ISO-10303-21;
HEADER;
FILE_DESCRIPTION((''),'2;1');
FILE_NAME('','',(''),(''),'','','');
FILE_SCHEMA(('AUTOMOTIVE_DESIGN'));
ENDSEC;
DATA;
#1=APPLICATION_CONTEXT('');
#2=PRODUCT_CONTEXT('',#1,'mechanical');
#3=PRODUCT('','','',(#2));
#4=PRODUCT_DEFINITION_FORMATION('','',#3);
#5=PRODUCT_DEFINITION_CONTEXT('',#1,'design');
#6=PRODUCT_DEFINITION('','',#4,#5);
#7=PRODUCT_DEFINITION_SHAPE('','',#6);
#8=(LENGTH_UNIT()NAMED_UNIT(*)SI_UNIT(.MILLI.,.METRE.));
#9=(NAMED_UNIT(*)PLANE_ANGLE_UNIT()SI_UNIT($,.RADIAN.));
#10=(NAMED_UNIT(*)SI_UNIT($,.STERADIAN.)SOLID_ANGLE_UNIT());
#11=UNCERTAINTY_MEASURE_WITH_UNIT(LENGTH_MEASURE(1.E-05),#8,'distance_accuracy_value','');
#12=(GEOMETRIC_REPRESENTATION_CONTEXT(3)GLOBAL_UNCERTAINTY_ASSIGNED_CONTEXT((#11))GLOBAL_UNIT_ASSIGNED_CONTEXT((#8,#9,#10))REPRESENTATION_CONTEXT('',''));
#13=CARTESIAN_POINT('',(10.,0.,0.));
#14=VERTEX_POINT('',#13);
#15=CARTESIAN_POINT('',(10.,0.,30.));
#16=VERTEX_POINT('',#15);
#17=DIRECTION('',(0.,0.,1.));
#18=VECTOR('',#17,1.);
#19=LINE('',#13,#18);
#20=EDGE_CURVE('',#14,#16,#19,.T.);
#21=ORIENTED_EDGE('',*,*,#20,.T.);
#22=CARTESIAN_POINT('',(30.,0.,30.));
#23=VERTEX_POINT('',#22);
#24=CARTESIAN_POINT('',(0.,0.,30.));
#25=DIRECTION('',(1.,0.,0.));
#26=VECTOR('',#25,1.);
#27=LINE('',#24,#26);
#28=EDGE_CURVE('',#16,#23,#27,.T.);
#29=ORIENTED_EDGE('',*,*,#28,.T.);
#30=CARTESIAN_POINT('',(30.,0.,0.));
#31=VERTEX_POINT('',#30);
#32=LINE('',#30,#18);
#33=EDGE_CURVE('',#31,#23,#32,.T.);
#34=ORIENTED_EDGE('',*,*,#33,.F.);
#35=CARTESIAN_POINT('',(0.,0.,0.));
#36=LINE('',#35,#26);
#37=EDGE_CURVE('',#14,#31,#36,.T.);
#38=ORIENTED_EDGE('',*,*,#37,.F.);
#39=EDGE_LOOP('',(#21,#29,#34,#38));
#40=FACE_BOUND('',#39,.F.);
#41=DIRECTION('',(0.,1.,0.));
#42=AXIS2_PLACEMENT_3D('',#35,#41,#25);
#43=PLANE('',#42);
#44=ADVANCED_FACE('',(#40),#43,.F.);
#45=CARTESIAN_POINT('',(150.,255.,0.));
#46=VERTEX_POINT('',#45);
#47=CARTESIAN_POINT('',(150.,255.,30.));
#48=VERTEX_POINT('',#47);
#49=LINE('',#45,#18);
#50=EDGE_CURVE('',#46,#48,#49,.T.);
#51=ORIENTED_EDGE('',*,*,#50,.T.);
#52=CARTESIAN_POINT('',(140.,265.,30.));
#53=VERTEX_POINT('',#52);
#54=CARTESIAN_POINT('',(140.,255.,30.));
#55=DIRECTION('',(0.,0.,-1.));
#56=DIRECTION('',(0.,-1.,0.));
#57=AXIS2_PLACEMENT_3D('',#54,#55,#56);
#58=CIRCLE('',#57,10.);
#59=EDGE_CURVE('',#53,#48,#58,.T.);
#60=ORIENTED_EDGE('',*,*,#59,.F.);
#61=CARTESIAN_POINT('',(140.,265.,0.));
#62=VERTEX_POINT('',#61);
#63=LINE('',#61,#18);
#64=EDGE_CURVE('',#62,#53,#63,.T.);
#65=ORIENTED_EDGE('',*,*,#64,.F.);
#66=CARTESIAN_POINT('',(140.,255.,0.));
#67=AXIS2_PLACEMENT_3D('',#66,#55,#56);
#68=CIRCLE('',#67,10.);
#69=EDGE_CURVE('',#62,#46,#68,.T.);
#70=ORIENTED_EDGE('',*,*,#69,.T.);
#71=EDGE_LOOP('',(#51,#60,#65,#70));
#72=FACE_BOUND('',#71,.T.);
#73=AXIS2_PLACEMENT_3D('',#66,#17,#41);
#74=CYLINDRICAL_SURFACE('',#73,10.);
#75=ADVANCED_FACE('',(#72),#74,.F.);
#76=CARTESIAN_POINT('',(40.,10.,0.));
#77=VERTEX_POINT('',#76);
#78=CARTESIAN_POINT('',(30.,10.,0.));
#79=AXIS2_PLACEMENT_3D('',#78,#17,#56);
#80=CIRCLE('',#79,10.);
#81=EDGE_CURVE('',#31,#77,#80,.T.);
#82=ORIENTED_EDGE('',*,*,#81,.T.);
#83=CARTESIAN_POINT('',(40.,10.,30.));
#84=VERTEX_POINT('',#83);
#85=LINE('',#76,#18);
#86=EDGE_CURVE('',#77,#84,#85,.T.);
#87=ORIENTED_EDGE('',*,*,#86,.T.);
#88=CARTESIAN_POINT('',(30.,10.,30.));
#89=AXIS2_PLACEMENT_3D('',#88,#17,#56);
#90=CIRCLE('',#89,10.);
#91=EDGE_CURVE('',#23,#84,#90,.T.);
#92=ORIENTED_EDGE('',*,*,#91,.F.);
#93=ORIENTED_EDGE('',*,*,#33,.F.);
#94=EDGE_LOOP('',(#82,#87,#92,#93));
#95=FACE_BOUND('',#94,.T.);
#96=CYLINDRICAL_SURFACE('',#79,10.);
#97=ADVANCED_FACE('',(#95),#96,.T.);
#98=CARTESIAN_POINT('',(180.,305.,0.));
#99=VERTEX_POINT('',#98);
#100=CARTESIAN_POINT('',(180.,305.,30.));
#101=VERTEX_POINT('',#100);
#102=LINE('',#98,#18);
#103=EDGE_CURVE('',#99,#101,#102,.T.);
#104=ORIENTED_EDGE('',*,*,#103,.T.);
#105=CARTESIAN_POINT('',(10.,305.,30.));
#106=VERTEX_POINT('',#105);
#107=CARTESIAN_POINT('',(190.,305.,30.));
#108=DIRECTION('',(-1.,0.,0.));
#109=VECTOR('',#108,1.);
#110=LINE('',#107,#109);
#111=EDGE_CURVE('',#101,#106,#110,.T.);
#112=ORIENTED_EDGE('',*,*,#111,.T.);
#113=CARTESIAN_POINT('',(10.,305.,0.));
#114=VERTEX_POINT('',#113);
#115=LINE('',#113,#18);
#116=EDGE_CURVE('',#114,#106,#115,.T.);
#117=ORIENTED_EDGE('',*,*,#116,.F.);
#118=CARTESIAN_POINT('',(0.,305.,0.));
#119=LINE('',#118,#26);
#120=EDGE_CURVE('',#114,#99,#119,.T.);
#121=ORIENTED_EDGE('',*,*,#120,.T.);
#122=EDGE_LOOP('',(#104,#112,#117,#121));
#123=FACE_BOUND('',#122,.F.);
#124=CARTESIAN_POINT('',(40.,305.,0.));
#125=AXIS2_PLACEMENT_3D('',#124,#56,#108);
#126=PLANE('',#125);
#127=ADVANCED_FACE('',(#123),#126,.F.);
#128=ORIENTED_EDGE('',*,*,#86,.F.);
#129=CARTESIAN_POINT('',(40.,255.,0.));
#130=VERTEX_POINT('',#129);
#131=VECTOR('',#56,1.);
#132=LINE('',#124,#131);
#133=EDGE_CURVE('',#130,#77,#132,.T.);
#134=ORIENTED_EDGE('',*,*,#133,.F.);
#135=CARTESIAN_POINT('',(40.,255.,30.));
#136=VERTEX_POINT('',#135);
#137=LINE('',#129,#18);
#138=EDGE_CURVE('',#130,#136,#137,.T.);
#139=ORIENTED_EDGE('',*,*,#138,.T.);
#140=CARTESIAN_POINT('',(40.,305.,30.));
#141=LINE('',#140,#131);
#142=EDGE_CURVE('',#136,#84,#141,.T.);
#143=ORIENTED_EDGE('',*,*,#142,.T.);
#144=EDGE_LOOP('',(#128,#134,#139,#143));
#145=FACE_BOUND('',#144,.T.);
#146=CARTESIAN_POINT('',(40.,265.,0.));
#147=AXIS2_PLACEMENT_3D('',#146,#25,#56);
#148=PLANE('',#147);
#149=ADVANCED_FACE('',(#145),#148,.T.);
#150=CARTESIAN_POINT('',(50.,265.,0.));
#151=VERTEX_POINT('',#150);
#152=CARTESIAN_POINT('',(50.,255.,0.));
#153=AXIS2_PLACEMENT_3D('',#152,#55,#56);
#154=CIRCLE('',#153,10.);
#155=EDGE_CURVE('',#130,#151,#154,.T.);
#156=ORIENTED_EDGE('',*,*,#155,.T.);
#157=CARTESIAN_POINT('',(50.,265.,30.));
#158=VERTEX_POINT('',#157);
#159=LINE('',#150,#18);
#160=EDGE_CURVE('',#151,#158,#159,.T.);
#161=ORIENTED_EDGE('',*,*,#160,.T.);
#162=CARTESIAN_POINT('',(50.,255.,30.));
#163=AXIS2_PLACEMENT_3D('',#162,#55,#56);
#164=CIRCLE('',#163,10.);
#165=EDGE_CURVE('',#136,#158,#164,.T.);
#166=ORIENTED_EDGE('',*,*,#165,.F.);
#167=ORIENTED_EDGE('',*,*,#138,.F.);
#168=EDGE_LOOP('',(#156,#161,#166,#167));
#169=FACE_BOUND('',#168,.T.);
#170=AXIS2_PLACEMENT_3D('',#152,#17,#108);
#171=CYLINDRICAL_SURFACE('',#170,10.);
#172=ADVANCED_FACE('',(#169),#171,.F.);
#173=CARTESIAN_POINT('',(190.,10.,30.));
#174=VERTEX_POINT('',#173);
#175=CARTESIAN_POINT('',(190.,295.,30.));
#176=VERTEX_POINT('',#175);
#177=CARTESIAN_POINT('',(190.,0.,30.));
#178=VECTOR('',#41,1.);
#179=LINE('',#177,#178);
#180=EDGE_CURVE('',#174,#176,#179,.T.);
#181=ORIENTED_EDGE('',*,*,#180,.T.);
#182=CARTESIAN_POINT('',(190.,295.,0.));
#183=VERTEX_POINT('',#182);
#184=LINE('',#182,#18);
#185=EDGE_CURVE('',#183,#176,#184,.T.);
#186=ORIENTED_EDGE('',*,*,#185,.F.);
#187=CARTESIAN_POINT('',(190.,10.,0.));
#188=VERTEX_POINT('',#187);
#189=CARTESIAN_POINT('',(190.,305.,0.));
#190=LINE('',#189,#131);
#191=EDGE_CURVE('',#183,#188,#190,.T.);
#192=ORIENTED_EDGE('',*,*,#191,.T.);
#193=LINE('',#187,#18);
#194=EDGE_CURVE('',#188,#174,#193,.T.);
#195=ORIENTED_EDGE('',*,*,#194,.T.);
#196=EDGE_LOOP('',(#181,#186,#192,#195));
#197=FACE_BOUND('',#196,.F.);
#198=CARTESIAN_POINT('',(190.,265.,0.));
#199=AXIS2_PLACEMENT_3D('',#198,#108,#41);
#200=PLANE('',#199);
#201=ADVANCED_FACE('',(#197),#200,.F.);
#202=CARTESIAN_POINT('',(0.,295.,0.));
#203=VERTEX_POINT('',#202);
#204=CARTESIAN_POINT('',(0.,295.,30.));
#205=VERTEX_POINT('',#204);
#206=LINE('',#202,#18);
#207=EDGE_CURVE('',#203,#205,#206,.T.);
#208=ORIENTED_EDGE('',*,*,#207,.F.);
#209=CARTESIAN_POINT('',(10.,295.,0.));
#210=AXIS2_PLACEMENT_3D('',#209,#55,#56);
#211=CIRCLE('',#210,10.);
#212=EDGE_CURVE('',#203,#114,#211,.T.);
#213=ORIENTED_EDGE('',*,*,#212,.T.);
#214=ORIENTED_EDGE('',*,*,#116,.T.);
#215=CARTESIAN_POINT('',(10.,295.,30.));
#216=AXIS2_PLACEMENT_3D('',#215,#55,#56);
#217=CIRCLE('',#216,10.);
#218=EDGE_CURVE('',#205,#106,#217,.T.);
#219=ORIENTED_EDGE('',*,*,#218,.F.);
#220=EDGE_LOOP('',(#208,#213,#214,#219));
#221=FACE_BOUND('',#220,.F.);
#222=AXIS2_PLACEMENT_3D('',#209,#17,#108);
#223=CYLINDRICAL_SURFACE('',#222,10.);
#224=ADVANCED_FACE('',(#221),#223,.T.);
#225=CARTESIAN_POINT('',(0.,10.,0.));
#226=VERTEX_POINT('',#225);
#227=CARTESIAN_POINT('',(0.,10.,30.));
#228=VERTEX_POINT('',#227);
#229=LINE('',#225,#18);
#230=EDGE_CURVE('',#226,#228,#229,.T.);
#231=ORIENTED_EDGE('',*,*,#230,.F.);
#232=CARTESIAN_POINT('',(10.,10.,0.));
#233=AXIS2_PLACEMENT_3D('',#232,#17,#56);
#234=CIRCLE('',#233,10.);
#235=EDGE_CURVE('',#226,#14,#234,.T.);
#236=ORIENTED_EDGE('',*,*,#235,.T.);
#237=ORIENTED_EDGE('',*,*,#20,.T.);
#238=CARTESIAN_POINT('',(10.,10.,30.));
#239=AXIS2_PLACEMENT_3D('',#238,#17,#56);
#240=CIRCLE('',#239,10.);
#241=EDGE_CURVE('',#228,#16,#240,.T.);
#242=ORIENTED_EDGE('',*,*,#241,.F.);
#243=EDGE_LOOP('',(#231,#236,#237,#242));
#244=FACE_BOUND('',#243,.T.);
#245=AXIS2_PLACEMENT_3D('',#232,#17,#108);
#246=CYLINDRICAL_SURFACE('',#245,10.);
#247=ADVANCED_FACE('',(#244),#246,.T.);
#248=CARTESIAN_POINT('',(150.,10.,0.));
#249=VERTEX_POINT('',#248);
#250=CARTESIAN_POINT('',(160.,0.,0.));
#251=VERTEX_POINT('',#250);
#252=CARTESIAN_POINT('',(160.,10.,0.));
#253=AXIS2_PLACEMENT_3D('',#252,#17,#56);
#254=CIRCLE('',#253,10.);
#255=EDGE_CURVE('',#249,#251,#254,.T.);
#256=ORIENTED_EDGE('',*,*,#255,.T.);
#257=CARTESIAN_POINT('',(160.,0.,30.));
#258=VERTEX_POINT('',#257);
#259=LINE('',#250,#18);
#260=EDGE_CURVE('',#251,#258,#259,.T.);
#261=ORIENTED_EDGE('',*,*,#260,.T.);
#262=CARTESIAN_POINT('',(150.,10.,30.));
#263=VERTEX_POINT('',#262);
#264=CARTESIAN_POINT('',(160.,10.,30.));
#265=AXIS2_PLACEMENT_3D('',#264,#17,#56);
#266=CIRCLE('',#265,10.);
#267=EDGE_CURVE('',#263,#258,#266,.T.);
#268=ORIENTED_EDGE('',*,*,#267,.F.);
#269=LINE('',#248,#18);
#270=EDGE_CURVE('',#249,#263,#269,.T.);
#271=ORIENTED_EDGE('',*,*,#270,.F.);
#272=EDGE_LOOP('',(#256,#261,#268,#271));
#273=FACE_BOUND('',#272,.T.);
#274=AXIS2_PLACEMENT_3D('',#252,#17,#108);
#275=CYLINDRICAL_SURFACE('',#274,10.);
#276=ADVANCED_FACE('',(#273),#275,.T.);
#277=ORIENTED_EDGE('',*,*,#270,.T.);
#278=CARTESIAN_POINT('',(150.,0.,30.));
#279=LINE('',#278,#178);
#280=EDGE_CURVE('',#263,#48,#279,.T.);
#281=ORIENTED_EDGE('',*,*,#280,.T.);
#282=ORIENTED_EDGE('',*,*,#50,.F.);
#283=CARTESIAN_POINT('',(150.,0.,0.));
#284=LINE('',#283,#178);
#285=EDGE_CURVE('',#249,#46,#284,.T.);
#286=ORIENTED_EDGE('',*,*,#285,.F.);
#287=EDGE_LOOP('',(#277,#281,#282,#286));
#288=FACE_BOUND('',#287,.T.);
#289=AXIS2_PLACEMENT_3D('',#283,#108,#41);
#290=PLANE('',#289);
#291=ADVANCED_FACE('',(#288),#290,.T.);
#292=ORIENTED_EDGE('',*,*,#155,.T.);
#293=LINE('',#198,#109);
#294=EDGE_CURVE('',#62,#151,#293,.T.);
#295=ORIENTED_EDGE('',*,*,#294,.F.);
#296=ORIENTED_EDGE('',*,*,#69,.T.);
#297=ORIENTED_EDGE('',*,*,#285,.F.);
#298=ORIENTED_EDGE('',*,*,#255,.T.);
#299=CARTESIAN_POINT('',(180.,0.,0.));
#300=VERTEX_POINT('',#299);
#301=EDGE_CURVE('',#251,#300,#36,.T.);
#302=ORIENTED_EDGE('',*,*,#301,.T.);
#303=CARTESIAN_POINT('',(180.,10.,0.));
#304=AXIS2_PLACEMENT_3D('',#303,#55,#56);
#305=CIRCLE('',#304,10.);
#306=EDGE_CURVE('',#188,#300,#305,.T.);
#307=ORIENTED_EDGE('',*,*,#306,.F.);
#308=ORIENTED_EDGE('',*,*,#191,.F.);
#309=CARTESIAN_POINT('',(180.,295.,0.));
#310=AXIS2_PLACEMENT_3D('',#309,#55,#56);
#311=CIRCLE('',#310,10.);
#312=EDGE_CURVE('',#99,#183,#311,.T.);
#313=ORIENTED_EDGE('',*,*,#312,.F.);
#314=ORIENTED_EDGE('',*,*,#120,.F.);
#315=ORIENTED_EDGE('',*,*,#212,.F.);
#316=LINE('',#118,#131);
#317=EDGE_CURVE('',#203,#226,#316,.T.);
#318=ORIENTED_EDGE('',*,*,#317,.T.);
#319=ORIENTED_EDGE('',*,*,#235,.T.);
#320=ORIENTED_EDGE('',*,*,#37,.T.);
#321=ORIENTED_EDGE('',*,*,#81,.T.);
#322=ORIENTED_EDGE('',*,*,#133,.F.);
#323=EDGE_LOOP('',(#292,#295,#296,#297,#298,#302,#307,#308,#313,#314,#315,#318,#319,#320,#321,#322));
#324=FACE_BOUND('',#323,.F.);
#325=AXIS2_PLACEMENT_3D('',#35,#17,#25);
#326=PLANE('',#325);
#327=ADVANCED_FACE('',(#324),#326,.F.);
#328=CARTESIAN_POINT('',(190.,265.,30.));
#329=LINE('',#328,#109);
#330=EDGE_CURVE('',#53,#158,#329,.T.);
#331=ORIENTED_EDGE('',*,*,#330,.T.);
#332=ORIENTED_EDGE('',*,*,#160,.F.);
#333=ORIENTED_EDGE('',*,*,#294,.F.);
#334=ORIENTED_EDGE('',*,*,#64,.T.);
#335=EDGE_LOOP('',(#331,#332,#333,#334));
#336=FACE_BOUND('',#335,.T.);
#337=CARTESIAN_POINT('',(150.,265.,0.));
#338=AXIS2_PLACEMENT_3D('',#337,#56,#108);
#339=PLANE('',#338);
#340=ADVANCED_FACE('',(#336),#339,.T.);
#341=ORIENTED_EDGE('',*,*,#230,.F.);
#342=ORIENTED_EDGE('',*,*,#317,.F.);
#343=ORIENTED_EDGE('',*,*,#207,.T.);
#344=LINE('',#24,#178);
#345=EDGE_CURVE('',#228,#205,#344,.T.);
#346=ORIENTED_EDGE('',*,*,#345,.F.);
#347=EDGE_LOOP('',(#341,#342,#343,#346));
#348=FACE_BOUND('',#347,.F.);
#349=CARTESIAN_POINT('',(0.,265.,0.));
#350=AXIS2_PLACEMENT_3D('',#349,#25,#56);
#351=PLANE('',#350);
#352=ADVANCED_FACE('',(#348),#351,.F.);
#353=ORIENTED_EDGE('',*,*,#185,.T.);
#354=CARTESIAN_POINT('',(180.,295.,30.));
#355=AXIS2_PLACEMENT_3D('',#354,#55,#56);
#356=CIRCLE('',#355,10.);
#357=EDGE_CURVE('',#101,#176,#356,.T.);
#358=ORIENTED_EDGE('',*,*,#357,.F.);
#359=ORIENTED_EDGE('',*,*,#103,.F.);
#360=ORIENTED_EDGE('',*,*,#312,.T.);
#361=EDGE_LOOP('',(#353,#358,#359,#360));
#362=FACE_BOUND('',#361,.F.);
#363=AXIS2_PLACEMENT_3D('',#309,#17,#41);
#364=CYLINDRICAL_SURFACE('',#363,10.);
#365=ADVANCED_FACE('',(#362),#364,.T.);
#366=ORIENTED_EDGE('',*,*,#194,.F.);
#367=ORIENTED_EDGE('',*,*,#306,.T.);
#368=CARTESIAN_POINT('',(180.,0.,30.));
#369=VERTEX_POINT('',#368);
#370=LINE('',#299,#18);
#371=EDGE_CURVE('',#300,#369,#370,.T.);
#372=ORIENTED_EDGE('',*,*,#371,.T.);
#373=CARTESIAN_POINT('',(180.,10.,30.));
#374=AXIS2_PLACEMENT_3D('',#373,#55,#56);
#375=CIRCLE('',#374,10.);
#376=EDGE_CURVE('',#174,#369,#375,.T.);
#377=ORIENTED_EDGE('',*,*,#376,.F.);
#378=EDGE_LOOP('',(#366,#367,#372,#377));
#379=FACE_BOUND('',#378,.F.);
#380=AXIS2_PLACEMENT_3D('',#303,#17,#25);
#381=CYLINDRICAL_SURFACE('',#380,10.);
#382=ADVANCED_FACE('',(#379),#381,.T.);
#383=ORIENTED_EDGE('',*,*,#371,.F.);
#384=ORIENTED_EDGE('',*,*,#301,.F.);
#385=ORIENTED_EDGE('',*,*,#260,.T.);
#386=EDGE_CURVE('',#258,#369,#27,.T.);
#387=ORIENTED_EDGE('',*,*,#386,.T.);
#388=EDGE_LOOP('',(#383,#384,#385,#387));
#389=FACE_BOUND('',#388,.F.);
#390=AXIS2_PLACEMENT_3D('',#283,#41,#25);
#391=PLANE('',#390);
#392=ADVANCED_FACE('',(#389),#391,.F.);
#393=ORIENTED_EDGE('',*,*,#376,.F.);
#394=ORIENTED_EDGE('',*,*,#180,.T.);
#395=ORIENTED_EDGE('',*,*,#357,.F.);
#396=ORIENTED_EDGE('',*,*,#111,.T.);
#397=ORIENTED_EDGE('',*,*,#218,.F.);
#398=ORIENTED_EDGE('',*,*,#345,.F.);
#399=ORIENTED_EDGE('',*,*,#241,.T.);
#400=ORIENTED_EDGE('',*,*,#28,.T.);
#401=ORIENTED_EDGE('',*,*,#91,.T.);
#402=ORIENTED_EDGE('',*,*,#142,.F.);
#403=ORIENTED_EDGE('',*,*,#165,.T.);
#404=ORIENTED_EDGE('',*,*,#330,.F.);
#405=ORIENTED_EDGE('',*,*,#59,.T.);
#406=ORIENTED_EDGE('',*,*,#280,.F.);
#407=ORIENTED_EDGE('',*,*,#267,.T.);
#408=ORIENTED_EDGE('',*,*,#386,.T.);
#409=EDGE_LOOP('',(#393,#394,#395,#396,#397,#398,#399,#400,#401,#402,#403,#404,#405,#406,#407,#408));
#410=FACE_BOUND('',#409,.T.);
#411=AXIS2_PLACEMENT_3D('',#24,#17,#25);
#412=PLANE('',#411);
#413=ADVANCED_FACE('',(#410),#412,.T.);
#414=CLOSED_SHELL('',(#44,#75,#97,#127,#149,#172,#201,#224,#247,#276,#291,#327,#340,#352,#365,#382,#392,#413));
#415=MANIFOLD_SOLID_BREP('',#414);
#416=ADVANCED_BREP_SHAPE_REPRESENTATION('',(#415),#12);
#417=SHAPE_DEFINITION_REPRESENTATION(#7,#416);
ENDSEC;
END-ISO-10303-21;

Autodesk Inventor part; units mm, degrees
ref_plane "YZ Plane" through (0, 0, 0) normal (1, 0, 0) x (0, 1, 0)
ref_plane "XZ Plane" through (0, 0, 0) normal (0, 1, 0) x (-1, 0, 0)
ref_plane "XY Plane" through (0, 0, 0) normal (0, 0, 1) x (1, 0, 0)
sketch "スケッチ1" plane through (0, 0, 0) normal (0, 0, 1) x (1, 0, 0)
  line L0 (0, 0) -> (190, 0)
  line L1 (190, 0) -> (190, 305)
  line L2 (190, 305) -> (0, 305)
  line L3 (0, 305) -> (0, 0)
  line L4 (0, 305) -> (40, 305)
  line L5 (40, 305) -> (40, 0)
  line L6 (40, 0) -> (0, 0)
  line L7 (0, 0) -> (0, 305)
  line L8 (190, 0) -> (150, 0)
  line L9 (150, 0) -> (150, 305)
  line L10 (150, 305) -> (190, 305)
  line L11 (190, 305) -> (190, 0)
  line L12 (0, 305) -> (190, 305)
  line L13 (190, 305) -> (190, 265)
  line L14 (190, 265) -> (0, 265)
  line L15 (0, 265) -> (0, 305)
  point P0 (40, 265)
  point P1 (150, 265)
  dimension "d0" = 305
  dimension "d1" = 190
  dimension "d2" = 40
  dimension "d3" = 40
  dimension "d4" = 40
extrude "押し出し1" add sketch "スケッチ1" along normal blind 30 contours L3 L14 L5 L0 | L3 L2 L5 L14 | L9 L14 L1 L0 | L5 L2 L9 L14 | L9 L2 L1 L14
fillet "フィレット1" radius 10 8 edges at (0, 305, 15) (0, 0, 15) (190, 305, 15) (40, 265, 15) (150, 265, 15) (150, 0, 15) (190, 0, 15) (40, 0, 15)
equation "\"d3\" = d2"
equation "\"d4\" = d2"
properties part number "BP_cover"
